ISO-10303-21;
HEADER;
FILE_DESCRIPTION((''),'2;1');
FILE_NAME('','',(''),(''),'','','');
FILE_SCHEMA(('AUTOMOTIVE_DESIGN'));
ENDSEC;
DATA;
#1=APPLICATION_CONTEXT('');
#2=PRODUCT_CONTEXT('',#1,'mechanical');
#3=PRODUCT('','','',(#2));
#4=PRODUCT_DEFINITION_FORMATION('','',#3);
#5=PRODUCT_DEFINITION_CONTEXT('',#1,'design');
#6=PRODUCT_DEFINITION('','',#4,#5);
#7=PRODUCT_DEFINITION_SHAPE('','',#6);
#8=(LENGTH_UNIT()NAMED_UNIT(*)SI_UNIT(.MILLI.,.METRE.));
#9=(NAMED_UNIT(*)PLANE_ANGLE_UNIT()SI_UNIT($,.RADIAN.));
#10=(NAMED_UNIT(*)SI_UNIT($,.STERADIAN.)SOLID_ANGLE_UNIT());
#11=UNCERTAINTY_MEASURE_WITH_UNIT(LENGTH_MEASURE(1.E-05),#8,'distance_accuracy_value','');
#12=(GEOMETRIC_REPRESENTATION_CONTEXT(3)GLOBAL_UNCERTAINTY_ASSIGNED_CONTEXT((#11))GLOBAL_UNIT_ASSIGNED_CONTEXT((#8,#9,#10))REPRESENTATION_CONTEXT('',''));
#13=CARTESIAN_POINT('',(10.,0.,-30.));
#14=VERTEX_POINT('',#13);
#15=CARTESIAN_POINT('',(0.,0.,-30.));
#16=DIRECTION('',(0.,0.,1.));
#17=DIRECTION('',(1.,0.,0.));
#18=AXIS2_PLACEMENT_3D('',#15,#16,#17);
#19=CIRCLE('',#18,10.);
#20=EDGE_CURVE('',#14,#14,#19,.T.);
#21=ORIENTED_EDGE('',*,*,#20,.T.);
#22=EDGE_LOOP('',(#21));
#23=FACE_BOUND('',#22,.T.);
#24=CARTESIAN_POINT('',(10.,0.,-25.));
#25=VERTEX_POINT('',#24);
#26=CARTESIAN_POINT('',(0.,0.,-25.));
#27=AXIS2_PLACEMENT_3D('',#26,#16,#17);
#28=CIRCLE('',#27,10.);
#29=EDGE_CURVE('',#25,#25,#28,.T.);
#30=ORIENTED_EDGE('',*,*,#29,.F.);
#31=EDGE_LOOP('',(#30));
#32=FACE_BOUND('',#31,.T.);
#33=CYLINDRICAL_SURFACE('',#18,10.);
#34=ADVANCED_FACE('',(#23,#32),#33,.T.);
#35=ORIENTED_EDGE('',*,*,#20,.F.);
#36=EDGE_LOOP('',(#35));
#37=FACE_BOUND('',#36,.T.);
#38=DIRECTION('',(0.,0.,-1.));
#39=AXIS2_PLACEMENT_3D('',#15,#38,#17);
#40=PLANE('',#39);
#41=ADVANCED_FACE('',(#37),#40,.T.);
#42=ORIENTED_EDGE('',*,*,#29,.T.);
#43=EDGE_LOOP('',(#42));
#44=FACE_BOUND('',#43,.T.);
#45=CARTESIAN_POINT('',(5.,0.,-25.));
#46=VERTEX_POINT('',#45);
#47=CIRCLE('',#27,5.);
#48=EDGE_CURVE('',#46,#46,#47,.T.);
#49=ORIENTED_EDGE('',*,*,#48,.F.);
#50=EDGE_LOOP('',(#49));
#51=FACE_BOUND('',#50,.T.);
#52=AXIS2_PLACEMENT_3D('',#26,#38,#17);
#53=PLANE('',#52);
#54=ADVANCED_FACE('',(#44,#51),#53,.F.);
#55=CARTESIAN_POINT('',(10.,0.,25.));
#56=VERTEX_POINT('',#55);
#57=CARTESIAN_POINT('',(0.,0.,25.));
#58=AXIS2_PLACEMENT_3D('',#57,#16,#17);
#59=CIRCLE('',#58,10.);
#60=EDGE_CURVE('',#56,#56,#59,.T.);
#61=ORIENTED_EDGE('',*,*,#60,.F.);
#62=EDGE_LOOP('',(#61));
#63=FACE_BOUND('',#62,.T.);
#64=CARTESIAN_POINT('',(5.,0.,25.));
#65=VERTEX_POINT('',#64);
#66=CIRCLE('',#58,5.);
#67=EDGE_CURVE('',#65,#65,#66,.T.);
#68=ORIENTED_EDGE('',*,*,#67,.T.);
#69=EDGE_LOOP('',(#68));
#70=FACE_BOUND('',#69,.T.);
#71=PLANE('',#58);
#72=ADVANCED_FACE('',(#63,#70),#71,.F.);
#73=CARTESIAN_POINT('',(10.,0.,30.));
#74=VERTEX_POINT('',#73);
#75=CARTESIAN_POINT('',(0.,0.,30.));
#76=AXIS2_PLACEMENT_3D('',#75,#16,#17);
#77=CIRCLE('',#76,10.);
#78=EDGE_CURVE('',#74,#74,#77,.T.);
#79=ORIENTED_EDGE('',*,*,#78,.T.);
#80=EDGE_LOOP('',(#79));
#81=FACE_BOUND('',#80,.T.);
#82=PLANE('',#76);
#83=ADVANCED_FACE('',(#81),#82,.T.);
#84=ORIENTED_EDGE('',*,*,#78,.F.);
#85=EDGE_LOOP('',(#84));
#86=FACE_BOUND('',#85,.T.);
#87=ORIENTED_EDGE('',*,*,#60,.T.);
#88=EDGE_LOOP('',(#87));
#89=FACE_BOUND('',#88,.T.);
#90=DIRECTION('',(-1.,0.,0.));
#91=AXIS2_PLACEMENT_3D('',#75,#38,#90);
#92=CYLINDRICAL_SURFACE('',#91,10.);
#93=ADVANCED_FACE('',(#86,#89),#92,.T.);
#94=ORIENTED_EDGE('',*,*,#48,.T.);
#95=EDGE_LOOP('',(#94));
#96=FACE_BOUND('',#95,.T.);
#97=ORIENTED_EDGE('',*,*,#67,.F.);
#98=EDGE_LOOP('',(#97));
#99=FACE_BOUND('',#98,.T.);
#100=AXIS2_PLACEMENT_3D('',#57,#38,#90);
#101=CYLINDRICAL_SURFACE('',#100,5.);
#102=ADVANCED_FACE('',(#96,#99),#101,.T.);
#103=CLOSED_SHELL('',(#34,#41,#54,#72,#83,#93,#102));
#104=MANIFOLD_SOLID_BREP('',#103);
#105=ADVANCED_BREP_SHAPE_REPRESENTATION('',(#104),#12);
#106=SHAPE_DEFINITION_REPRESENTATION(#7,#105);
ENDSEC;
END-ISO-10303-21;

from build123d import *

# Parameters (mm, degrees)
SKETCH1_R           = 5
BOSS_EXTRUDE1_DEPTH = 25
SKETCH2_R           = 10
BOSS_EXTRUDE2_DEPTH = 5


with BuildPart() as part:
    # Sketch1 → Boss-Extrude1 (new body, symmetric)
    with BuildSketch(Plane.XY):
        Circle(SKETCH1_R)
    extrude(amount=BOSS_EXTRUDE1_DEPTH, both=True)

    # Sketch2 → Boss-Extrude2 (add)
    with BuildSketch(Plane.XY.offset(25)):
        Circle(SKETCH2_R)
    boss_extrude2 = extrude(amount=BOSS_EXTRUDE2_DEPTH)

    # Mirror1: Boss-Extrude2 across plane
    add(boss_extrude2.mirror(Plane.XY))


solid = part.part
